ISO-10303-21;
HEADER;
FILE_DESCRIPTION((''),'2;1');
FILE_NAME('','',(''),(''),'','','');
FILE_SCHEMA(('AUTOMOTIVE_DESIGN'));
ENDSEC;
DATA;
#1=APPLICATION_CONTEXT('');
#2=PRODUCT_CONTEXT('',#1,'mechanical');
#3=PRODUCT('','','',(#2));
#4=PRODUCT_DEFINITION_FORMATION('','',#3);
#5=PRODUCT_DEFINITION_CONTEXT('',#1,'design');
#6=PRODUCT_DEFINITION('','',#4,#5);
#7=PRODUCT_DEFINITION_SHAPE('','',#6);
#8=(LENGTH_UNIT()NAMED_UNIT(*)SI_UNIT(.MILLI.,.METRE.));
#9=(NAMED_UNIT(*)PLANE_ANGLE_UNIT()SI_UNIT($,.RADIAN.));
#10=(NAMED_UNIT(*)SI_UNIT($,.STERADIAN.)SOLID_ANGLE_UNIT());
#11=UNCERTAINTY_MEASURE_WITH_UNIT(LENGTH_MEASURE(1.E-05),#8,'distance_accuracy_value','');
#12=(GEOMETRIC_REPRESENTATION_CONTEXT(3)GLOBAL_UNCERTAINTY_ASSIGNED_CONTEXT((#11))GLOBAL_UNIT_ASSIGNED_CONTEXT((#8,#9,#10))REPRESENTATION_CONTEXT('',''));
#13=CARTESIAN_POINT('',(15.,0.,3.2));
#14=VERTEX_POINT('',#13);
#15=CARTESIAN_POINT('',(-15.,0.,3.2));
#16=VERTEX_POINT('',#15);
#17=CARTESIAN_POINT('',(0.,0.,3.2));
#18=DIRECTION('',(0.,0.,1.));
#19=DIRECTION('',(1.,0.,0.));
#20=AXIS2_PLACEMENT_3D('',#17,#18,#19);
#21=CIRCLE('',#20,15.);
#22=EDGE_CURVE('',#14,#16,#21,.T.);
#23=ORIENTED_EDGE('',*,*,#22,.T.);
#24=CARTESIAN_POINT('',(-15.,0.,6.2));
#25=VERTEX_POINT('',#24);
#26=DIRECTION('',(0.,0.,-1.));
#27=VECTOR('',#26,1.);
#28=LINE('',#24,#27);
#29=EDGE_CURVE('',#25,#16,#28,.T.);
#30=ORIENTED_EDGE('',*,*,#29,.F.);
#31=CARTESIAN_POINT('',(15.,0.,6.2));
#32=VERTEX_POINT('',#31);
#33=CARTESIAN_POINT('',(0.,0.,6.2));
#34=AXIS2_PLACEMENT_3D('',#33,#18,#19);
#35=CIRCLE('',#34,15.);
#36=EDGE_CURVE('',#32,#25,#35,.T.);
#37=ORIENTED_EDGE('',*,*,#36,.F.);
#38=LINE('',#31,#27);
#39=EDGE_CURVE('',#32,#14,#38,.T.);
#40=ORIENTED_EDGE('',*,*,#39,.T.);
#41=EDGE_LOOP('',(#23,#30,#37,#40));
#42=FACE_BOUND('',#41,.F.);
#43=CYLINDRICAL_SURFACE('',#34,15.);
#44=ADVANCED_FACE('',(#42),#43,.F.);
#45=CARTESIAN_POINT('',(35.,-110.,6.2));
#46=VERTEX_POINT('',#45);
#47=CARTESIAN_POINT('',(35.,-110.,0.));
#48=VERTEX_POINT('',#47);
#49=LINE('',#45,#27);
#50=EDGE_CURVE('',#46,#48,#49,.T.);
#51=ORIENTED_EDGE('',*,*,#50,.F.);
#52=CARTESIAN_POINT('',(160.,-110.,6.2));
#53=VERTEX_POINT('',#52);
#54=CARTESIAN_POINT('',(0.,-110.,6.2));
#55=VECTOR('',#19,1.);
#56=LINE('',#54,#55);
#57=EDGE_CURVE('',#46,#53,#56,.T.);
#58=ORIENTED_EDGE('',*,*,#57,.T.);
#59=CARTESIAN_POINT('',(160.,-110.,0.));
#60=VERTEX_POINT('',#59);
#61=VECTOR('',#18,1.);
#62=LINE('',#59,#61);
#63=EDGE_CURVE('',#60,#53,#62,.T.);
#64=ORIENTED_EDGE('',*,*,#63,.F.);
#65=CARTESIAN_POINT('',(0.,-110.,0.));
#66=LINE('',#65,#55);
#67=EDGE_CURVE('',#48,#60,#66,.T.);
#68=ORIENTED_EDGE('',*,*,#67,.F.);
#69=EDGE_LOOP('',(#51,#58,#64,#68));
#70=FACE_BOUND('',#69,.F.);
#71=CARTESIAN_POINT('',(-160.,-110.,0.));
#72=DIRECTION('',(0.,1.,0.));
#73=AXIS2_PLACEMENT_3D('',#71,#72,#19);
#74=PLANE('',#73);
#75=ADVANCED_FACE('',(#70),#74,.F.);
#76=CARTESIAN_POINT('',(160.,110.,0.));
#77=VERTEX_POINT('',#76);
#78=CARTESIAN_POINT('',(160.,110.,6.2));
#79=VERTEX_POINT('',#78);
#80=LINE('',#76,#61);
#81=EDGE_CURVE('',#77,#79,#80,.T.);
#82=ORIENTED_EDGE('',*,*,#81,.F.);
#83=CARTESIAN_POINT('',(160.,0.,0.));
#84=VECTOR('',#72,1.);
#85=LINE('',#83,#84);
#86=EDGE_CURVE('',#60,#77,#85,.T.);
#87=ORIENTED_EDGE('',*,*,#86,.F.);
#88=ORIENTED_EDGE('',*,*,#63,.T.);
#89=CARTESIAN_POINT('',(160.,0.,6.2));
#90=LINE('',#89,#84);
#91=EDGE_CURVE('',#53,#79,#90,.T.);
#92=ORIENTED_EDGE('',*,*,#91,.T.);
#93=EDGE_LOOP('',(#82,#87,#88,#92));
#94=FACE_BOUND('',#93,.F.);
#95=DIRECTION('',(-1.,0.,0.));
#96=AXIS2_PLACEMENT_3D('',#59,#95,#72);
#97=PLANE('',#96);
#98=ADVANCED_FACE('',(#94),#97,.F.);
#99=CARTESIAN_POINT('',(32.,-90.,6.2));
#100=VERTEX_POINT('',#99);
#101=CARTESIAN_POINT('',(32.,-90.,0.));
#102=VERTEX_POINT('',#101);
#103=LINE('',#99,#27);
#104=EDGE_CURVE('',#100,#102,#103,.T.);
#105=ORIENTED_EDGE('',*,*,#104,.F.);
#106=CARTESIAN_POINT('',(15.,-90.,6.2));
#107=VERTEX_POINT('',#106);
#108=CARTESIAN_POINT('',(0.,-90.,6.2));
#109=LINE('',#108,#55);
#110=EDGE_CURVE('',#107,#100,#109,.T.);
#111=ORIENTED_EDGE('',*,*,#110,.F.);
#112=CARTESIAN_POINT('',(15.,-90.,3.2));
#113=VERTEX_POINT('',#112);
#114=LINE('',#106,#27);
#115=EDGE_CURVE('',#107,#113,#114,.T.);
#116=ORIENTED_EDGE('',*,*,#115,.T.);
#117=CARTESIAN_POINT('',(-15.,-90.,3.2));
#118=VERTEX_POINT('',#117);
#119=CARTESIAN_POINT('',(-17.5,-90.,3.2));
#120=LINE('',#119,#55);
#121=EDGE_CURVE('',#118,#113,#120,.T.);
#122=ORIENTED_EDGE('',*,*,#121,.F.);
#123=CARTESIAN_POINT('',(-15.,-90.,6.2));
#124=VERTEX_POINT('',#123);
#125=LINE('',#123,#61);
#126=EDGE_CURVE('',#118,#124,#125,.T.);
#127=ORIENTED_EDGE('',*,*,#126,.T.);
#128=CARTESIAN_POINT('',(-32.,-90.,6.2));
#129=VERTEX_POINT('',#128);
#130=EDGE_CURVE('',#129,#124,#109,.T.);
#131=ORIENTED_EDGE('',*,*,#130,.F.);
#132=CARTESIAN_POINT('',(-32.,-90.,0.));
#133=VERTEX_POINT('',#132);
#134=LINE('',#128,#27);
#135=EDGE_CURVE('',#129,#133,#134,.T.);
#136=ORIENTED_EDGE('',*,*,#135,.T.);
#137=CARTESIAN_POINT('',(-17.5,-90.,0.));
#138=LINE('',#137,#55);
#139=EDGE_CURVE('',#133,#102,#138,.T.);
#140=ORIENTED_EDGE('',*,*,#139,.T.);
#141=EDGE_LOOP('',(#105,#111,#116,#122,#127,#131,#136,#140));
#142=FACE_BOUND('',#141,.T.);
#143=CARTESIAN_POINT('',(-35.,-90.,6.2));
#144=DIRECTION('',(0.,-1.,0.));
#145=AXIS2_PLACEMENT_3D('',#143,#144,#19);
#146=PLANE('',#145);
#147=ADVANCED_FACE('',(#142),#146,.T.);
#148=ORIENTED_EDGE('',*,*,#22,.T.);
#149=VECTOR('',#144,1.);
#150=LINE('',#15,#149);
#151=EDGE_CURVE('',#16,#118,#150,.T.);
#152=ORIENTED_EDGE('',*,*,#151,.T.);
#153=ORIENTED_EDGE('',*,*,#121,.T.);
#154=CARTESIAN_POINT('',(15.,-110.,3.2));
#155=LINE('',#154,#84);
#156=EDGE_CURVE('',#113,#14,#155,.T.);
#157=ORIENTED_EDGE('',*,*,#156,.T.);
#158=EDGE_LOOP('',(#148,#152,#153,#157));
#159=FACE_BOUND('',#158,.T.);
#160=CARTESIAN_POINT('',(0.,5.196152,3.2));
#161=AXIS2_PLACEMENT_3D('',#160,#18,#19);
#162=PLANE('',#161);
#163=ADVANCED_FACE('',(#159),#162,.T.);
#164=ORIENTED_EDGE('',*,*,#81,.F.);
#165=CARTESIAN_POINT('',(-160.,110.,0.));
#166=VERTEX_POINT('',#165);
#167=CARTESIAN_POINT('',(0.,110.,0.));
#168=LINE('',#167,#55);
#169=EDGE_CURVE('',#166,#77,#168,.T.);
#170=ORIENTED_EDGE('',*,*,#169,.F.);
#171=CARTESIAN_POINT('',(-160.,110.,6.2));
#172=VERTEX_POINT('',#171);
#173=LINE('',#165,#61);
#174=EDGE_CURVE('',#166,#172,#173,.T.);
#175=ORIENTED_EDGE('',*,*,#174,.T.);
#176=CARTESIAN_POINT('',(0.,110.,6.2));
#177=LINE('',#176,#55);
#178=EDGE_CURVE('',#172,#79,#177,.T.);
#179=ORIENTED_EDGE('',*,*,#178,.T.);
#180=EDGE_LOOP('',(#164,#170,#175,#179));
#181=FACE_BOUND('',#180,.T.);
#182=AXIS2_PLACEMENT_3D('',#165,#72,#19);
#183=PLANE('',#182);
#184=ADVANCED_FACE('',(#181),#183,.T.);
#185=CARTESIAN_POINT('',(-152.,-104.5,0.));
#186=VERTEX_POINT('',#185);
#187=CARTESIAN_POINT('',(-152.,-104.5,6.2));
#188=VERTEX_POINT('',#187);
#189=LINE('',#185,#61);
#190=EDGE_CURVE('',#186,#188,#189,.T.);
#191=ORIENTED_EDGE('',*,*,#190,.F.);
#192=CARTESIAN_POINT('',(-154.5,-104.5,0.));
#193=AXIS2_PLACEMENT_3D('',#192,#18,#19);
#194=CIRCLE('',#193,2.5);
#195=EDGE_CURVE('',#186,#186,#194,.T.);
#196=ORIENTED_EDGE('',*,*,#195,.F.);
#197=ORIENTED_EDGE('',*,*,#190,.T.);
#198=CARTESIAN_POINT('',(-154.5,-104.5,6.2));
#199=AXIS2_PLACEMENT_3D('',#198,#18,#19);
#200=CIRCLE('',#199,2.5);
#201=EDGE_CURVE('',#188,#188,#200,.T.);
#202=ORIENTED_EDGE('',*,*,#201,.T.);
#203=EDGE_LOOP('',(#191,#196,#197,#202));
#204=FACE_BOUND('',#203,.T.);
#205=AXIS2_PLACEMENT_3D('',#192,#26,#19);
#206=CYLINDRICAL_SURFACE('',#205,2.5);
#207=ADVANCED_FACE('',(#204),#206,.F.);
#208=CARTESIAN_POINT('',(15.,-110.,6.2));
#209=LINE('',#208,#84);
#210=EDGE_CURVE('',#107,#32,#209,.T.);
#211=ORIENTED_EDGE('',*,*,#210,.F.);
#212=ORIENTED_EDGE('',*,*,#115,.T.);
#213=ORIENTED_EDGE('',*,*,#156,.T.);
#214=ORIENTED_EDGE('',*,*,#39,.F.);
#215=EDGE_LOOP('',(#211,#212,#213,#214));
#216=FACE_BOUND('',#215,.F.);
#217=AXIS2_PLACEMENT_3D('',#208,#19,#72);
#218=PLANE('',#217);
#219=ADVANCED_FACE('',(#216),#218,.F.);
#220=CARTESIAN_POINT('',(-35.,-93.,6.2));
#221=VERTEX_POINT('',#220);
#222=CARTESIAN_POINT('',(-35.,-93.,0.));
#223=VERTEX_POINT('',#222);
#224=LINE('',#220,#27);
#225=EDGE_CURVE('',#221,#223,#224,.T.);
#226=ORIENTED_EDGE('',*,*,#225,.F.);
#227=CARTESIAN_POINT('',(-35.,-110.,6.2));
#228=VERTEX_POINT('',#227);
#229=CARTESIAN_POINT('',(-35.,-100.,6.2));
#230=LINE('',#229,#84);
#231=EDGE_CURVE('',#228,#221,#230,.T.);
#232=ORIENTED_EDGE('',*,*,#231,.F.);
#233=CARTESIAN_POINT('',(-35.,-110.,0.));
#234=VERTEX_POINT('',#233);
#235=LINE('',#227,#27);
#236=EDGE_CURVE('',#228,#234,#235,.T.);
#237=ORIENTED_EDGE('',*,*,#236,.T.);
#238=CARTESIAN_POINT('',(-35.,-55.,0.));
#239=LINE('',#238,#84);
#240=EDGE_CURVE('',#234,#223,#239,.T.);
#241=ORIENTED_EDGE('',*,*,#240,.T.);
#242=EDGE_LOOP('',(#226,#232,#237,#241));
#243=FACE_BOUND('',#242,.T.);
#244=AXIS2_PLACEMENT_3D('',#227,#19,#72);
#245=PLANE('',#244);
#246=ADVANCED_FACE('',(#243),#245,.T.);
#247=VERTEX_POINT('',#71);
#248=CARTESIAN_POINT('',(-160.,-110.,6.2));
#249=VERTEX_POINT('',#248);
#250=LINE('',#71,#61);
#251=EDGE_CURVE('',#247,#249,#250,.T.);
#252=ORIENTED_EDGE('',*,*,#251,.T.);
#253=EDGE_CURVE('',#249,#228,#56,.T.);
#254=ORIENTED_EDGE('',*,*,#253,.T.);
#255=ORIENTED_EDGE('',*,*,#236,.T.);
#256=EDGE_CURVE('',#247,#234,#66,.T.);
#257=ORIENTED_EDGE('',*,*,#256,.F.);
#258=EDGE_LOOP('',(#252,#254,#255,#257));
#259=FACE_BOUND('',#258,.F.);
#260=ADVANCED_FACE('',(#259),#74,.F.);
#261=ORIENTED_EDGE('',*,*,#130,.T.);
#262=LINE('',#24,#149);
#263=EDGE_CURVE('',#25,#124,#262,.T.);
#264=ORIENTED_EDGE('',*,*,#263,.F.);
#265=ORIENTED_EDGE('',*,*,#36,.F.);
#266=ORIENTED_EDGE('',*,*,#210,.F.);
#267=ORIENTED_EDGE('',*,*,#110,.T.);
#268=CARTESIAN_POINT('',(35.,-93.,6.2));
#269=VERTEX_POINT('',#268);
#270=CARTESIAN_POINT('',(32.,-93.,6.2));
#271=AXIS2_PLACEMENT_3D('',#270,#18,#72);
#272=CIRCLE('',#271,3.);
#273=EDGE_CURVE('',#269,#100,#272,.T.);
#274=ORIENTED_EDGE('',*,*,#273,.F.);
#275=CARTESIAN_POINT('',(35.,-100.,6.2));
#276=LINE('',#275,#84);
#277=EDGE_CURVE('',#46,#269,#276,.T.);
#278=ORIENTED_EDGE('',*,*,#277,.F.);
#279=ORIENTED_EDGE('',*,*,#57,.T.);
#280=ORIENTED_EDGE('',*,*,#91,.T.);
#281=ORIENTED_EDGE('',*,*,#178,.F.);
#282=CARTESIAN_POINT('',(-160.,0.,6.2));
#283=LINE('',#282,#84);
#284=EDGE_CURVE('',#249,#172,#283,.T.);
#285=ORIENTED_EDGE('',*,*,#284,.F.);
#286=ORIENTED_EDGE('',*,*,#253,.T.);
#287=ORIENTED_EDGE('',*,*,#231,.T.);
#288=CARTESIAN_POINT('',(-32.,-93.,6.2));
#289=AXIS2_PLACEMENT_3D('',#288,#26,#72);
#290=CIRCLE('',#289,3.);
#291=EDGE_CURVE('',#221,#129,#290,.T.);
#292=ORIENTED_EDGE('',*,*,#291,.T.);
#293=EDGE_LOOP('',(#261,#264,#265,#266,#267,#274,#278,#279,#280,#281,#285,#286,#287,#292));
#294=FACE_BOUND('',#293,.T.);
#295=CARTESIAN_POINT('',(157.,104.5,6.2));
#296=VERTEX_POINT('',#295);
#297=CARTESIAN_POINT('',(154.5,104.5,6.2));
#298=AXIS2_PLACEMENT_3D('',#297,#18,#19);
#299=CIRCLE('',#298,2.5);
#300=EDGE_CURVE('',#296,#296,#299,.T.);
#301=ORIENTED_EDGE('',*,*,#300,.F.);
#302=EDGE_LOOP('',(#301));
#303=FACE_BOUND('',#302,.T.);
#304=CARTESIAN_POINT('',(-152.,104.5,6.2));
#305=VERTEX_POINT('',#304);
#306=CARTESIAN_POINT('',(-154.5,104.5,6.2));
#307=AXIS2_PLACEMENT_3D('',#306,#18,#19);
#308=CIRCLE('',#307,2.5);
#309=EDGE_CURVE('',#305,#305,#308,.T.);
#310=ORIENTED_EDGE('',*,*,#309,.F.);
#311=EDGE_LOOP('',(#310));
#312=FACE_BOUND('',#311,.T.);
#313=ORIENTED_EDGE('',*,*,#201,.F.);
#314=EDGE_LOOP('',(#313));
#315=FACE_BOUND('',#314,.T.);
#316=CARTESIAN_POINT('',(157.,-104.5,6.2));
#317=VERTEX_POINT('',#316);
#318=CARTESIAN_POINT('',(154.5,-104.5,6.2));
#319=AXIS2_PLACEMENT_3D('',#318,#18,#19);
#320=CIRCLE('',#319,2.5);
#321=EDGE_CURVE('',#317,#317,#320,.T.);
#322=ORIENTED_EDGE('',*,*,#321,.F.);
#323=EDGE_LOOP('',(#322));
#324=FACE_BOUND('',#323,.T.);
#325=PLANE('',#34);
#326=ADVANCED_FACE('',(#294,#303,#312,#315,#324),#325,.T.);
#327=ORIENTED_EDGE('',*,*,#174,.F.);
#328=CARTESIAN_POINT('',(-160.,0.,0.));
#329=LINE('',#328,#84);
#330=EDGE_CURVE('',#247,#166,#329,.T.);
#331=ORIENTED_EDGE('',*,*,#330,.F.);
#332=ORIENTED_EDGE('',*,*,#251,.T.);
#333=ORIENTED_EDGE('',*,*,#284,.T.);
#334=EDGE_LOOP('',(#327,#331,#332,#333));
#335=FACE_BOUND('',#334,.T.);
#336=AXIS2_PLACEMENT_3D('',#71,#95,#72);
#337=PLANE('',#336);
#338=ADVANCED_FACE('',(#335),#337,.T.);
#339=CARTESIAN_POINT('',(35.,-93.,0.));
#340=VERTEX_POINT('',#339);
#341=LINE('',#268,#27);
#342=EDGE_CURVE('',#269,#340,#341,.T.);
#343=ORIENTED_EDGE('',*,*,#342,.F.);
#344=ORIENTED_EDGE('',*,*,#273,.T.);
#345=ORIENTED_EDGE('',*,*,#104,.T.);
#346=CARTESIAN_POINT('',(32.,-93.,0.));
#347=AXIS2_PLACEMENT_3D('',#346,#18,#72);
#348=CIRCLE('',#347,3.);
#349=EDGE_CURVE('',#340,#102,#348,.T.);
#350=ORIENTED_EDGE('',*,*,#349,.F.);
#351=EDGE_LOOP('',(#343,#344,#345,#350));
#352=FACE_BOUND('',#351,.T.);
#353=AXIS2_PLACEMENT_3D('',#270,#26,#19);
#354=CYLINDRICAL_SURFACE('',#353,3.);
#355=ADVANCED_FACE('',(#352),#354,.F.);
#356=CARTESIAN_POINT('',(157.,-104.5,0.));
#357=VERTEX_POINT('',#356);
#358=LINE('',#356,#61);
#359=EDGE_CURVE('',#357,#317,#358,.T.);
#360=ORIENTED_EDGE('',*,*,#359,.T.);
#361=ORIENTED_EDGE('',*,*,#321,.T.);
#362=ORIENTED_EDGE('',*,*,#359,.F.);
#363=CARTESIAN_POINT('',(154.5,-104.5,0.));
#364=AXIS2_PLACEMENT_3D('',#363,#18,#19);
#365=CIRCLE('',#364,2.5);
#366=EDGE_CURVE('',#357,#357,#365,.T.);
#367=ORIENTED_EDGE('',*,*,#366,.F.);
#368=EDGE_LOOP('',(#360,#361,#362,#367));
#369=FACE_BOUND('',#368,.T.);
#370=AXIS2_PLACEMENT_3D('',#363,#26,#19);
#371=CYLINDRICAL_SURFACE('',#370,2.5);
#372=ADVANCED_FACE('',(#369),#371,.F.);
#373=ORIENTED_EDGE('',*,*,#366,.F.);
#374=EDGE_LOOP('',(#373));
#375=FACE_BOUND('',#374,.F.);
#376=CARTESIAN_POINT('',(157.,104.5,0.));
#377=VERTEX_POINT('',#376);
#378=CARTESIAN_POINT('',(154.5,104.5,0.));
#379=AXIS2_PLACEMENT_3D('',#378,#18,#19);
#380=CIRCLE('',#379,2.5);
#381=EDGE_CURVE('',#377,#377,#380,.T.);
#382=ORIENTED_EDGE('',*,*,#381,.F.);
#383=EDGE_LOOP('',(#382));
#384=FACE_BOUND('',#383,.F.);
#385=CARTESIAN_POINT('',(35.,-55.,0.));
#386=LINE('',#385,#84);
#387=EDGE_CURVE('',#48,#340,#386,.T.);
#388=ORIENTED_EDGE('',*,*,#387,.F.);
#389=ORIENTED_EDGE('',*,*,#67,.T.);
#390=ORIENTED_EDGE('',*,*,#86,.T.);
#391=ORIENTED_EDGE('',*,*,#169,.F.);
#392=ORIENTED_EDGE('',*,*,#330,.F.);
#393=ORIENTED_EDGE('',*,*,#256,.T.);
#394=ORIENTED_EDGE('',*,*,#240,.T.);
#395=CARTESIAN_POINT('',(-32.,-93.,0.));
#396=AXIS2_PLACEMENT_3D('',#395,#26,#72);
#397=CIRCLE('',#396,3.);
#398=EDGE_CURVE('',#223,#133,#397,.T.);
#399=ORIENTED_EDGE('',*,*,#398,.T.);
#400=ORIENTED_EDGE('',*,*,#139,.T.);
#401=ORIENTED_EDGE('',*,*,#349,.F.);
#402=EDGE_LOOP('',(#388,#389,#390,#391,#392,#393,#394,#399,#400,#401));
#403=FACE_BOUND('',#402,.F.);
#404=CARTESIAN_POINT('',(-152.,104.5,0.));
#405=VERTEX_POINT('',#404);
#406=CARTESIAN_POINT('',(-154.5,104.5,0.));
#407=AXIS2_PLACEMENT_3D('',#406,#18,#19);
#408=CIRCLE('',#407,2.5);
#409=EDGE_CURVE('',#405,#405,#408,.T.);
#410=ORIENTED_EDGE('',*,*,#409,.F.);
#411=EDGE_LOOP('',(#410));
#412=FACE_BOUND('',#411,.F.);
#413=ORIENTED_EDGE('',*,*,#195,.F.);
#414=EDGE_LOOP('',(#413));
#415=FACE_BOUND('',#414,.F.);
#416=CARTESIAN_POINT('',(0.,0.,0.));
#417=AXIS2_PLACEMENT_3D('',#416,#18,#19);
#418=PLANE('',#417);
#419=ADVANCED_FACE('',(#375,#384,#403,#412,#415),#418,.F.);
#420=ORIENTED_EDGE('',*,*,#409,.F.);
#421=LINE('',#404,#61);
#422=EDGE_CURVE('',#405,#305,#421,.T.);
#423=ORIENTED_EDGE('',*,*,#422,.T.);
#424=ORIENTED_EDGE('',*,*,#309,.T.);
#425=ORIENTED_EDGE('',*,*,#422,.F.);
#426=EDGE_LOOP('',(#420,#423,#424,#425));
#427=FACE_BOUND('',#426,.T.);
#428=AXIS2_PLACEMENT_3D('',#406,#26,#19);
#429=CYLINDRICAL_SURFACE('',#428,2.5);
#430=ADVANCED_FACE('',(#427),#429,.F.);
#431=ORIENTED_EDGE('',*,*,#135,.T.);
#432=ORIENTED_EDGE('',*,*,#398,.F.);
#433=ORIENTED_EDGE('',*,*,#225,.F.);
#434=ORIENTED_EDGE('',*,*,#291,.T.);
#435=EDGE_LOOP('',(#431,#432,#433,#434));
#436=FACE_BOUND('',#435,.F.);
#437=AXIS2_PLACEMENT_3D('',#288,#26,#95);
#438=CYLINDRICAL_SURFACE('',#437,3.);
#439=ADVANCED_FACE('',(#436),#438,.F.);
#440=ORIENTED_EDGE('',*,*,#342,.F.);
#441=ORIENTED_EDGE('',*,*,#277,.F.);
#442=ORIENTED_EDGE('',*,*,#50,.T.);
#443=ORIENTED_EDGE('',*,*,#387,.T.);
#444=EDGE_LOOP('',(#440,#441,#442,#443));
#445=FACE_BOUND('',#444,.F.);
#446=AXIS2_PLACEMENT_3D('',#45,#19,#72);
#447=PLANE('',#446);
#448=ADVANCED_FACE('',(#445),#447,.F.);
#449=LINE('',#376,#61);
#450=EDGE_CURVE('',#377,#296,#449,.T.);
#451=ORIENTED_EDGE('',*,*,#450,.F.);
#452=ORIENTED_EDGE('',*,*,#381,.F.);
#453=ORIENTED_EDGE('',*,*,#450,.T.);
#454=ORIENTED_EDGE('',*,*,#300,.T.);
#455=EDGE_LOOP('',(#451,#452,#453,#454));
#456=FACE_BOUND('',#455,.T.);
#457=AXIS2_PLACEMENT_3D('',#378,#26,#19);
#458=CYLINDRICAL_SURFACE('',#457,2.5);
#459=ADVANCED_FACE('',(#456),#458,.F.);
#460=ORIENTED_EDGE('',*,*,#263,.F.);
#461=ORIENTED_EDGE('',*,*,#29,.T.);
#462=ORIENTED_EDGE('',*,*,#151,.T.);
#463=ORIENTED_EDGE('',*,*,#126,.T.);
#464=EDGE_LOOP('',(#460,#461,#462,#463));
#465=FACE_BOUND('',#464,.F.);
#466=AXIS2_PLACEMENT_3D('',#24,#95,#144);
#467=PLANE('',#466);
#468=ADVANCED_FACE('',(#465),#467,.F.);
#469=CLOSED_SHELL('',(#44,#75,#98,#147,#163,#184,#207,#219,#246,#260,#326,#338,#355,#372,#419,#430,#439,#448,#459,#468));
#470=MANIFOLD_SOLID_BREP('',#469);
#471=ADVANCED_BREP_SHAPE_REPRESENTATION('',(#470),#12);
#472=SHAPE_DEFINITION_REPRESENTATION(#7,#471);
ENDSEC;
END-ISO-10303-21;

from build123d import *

# Parameters (mm, degrees)
F0_W     = 320
F0_H     = 220
F0_R     = 2.5
F1_DEPTH = 6.2
F3_DEPTH = 3
F4_W     = 70
F4_H     = 20
F5_DEPTH = 25
F6_R     = 3


with BuildPart() as f1:
    # F0 (on Top) → F1 (new body)
    with BuildSketch(Plane.XY):
        Rectangle(F0_W, F0_H)
        with Locations((-154.5, -104.5)):
            Circle(F0_R, mode=Mode.SUBTRACT)
        with Locations((154.5, -104.5)):
            Circle(F0_R, mode=Mode.SUBTRACT)
        with Locations((-154.5, 104.5)):
            Circle(F0_R, mode=Mode.SUBTRACT)
        with Locations((154.5, 104.5)):
            Circle(F0_R, mode=Mode.SUBTRACT)
    extrude(amount=F1_DEPTH)

    # F2 (on face) → F3 (cut)
    with BuildSketch(Plane.XY.offset(6.2)):
        with BuildLine():
            Line((-15, 0), (15, 0))
            ThreePointArc((15, 0), (0, 15), (-15, 0))
        make_face()
        with BuildLine():
            Line((15, -110), (15, 0))
            ThreePointArc((15, 0), (0, -15), (-15, 0))
            Line((-15, 0), (-15, -110))
            Line((-15, -110), (15, -110))
        make_face()
        with BuildLine():
            ThreePointArc((-15, 0), (0, -15), (15, 0))
            Line((15, 0), (-15, 0))
        make_face()
    extrude(amount=-F3_DEPTH, mode=Mode.SUBTRACT)

    # F4 (on face) → F5 (cut)
    with BuildSketch(Plane.XY.offset(6.2)):
        with Locations((0, -100)):
            Rectangle(F4_W, F4_H)
    extrude(amount=-F5_DEPTH, mode=Mode.SUBTRACT)

    # F6
    f6_edges = [f1.edges().sort_by_distance(p)[0] for p in [
        (35, -90, 3.1),
        (-35, -90, 3.1),
    ]]
    fillet(f6_edges, radius=F6_R)


solid = f1.part
